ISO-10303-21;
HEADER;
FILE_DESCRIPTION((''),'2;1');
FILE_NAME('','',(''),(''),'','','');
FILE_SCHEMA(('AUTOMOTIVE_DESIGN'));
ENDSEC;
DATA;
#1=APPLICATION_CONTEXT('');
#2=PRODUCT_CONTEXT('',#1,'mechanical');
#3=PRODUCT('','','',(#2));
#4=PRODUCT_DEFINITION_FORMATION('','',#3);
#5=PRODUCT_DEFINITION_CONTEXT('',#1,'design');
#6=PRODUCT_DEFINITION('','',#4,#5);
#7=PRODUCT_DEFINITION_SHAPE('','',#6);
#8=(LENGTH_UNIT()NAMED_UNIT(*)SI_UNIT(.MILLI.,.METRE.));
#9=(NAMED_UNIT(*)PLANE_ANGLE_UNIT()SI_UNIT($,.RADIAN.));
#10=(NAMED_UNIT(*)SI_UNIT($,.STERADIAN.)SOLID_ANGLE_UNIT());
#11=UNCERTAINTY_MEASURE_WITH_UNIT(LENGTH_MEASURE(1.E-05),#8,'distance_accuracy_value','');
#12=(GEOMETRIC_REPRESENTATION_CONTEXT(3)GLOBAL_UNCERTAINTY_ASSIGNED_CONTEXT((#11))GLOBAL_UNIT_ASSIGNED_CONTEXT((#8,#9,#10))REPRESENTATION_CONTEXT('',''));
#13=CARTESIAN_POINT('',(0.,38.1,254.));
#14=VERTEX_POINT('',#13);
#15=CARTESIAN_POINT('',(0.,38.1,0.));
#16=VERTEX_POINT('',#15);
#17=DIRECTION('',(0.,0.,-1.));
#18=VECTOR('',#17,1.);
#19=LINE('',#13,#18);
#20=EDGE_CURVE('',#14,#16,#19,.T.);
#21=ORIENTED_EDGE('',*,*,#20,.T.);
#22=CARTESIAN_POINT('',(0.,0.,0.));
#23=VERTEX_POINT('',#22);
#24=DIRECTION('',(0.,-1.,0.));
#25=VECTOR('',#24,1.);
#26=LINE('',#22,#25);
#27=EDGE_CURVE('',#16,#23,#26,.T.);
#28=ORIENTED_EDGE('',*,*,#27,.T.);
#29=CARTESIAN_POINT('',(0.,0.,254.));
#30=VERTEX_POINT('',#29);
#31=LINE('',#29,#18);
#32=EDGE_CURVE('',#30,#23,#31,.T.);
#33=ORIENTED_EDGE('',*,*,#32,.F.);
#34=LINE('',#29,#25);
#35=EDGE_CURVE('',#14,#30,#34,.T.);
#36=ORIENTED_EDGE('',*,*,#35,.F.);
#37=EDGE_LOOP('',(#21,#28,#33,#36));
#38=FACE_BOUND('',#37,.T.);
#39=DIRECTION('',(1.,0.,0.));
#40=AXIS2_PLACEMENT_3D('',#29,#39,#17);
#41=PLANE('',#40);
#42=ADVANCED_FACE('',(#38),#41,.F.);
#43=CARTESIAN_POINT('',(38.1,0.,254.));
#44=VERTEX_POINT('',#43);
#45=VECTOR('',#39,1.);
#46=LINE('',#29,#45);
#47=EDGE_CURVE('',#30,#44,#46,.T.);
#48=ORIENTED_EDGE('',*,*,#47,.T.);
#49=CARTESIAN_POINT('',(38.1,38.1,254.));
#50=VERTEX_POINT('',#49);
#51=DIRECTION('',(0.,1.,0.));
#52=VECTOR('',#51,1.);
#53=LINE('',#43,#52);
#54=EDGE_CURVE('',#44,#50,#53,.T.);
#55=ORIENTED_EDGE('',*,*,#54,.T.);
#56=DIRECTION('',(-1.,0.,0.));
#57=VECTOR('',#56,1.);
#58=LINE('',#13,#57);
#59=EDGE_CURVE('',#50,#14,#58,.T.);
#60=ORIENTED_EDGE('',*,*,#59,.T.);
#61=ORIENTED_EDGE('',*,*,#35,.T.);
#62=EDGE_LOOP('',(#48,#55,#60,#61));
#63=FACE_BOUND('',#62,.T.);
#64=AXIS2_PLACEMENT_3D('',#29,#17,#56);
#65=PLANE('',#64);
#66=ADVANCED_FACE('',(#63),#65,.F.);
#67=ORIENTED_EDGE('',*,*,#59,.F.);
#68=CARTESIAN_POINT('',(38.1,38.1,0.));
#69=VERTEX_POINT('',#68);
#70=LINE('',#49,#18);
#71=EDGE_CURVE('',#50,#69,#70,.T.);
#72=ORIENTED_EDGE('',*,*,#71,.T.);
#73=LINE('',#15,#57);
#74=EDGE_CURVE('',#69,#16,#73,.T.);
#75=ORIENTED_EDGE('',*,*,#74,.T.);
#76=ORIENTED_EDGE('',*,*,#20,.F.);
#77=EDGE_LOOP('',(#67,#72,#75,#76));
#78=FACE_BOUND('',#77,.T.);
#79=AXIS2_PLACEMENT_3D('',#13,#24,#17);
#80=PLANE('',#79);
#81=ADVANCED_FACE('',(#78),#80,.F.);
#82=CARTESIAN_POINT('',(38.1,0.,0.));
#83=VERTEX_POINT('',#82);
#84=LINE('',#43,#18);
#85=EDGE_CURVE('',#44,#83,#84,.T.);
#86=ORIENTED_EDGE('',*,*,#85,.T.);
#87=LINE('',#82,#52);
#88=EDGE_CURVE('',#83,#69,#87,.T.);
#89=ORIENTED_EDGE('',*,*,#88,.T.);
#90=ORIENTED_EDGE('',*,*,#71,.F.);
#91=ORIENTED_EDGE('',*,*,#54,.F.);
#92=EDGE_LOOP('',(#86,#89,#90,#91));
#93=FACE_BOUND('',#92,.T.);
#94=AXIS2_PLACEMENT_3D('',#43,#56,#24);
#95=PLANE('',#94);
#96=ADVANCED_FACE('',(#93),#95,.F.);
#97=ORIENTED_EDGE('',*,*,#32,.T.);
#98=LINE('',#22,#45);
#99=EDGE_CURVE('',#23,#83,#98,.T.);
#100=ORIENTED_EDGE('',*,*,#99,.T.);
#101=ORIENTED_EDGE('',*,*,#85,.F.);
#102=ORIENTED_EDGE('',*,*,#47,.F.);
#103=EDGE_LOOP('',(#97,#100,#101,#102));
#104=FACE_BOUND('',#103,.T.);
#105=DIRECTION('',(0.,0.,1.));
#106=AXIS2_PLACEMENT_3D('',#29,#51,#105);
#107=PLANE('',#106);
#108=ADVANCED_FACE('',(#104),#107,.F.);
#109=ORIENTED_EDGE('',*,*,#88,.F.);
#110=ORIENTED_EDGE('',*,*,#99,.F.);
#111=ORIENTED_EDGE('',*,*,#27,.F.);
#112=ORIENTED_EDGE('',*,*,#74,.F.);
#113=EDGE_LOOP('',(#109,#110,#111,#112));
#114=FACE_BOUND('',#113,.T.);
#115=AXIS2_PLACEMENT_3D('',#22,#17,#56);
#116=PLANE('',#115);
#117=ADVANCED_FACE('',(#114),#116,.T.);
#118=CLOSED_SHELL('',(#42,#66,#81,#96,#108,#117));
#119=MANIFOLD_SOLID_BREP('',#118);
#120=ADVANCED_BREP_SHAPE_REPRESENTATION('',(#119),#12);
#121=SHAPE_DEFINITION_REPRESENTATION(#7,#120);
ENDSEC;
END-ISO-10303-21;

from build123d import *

# Parameters (mm, degrees)
SKETCH1_W           = 38.1
SKETCH1_H           = 38.1
BOSS_EXTRUDE1_DEPTH = 254


with BuildPart() as part:
    # Sketch1 → Boss-Extrude1 (new body)
    with BuildSketch(Plane.XY):
        with Locations((19.05, 19.05)):
            Rectangle(SKETCH1_W, SKETCH1_H)
    extrude(amount=BOSS_EXTRUDE1_DEPTH)


solid = part.part
